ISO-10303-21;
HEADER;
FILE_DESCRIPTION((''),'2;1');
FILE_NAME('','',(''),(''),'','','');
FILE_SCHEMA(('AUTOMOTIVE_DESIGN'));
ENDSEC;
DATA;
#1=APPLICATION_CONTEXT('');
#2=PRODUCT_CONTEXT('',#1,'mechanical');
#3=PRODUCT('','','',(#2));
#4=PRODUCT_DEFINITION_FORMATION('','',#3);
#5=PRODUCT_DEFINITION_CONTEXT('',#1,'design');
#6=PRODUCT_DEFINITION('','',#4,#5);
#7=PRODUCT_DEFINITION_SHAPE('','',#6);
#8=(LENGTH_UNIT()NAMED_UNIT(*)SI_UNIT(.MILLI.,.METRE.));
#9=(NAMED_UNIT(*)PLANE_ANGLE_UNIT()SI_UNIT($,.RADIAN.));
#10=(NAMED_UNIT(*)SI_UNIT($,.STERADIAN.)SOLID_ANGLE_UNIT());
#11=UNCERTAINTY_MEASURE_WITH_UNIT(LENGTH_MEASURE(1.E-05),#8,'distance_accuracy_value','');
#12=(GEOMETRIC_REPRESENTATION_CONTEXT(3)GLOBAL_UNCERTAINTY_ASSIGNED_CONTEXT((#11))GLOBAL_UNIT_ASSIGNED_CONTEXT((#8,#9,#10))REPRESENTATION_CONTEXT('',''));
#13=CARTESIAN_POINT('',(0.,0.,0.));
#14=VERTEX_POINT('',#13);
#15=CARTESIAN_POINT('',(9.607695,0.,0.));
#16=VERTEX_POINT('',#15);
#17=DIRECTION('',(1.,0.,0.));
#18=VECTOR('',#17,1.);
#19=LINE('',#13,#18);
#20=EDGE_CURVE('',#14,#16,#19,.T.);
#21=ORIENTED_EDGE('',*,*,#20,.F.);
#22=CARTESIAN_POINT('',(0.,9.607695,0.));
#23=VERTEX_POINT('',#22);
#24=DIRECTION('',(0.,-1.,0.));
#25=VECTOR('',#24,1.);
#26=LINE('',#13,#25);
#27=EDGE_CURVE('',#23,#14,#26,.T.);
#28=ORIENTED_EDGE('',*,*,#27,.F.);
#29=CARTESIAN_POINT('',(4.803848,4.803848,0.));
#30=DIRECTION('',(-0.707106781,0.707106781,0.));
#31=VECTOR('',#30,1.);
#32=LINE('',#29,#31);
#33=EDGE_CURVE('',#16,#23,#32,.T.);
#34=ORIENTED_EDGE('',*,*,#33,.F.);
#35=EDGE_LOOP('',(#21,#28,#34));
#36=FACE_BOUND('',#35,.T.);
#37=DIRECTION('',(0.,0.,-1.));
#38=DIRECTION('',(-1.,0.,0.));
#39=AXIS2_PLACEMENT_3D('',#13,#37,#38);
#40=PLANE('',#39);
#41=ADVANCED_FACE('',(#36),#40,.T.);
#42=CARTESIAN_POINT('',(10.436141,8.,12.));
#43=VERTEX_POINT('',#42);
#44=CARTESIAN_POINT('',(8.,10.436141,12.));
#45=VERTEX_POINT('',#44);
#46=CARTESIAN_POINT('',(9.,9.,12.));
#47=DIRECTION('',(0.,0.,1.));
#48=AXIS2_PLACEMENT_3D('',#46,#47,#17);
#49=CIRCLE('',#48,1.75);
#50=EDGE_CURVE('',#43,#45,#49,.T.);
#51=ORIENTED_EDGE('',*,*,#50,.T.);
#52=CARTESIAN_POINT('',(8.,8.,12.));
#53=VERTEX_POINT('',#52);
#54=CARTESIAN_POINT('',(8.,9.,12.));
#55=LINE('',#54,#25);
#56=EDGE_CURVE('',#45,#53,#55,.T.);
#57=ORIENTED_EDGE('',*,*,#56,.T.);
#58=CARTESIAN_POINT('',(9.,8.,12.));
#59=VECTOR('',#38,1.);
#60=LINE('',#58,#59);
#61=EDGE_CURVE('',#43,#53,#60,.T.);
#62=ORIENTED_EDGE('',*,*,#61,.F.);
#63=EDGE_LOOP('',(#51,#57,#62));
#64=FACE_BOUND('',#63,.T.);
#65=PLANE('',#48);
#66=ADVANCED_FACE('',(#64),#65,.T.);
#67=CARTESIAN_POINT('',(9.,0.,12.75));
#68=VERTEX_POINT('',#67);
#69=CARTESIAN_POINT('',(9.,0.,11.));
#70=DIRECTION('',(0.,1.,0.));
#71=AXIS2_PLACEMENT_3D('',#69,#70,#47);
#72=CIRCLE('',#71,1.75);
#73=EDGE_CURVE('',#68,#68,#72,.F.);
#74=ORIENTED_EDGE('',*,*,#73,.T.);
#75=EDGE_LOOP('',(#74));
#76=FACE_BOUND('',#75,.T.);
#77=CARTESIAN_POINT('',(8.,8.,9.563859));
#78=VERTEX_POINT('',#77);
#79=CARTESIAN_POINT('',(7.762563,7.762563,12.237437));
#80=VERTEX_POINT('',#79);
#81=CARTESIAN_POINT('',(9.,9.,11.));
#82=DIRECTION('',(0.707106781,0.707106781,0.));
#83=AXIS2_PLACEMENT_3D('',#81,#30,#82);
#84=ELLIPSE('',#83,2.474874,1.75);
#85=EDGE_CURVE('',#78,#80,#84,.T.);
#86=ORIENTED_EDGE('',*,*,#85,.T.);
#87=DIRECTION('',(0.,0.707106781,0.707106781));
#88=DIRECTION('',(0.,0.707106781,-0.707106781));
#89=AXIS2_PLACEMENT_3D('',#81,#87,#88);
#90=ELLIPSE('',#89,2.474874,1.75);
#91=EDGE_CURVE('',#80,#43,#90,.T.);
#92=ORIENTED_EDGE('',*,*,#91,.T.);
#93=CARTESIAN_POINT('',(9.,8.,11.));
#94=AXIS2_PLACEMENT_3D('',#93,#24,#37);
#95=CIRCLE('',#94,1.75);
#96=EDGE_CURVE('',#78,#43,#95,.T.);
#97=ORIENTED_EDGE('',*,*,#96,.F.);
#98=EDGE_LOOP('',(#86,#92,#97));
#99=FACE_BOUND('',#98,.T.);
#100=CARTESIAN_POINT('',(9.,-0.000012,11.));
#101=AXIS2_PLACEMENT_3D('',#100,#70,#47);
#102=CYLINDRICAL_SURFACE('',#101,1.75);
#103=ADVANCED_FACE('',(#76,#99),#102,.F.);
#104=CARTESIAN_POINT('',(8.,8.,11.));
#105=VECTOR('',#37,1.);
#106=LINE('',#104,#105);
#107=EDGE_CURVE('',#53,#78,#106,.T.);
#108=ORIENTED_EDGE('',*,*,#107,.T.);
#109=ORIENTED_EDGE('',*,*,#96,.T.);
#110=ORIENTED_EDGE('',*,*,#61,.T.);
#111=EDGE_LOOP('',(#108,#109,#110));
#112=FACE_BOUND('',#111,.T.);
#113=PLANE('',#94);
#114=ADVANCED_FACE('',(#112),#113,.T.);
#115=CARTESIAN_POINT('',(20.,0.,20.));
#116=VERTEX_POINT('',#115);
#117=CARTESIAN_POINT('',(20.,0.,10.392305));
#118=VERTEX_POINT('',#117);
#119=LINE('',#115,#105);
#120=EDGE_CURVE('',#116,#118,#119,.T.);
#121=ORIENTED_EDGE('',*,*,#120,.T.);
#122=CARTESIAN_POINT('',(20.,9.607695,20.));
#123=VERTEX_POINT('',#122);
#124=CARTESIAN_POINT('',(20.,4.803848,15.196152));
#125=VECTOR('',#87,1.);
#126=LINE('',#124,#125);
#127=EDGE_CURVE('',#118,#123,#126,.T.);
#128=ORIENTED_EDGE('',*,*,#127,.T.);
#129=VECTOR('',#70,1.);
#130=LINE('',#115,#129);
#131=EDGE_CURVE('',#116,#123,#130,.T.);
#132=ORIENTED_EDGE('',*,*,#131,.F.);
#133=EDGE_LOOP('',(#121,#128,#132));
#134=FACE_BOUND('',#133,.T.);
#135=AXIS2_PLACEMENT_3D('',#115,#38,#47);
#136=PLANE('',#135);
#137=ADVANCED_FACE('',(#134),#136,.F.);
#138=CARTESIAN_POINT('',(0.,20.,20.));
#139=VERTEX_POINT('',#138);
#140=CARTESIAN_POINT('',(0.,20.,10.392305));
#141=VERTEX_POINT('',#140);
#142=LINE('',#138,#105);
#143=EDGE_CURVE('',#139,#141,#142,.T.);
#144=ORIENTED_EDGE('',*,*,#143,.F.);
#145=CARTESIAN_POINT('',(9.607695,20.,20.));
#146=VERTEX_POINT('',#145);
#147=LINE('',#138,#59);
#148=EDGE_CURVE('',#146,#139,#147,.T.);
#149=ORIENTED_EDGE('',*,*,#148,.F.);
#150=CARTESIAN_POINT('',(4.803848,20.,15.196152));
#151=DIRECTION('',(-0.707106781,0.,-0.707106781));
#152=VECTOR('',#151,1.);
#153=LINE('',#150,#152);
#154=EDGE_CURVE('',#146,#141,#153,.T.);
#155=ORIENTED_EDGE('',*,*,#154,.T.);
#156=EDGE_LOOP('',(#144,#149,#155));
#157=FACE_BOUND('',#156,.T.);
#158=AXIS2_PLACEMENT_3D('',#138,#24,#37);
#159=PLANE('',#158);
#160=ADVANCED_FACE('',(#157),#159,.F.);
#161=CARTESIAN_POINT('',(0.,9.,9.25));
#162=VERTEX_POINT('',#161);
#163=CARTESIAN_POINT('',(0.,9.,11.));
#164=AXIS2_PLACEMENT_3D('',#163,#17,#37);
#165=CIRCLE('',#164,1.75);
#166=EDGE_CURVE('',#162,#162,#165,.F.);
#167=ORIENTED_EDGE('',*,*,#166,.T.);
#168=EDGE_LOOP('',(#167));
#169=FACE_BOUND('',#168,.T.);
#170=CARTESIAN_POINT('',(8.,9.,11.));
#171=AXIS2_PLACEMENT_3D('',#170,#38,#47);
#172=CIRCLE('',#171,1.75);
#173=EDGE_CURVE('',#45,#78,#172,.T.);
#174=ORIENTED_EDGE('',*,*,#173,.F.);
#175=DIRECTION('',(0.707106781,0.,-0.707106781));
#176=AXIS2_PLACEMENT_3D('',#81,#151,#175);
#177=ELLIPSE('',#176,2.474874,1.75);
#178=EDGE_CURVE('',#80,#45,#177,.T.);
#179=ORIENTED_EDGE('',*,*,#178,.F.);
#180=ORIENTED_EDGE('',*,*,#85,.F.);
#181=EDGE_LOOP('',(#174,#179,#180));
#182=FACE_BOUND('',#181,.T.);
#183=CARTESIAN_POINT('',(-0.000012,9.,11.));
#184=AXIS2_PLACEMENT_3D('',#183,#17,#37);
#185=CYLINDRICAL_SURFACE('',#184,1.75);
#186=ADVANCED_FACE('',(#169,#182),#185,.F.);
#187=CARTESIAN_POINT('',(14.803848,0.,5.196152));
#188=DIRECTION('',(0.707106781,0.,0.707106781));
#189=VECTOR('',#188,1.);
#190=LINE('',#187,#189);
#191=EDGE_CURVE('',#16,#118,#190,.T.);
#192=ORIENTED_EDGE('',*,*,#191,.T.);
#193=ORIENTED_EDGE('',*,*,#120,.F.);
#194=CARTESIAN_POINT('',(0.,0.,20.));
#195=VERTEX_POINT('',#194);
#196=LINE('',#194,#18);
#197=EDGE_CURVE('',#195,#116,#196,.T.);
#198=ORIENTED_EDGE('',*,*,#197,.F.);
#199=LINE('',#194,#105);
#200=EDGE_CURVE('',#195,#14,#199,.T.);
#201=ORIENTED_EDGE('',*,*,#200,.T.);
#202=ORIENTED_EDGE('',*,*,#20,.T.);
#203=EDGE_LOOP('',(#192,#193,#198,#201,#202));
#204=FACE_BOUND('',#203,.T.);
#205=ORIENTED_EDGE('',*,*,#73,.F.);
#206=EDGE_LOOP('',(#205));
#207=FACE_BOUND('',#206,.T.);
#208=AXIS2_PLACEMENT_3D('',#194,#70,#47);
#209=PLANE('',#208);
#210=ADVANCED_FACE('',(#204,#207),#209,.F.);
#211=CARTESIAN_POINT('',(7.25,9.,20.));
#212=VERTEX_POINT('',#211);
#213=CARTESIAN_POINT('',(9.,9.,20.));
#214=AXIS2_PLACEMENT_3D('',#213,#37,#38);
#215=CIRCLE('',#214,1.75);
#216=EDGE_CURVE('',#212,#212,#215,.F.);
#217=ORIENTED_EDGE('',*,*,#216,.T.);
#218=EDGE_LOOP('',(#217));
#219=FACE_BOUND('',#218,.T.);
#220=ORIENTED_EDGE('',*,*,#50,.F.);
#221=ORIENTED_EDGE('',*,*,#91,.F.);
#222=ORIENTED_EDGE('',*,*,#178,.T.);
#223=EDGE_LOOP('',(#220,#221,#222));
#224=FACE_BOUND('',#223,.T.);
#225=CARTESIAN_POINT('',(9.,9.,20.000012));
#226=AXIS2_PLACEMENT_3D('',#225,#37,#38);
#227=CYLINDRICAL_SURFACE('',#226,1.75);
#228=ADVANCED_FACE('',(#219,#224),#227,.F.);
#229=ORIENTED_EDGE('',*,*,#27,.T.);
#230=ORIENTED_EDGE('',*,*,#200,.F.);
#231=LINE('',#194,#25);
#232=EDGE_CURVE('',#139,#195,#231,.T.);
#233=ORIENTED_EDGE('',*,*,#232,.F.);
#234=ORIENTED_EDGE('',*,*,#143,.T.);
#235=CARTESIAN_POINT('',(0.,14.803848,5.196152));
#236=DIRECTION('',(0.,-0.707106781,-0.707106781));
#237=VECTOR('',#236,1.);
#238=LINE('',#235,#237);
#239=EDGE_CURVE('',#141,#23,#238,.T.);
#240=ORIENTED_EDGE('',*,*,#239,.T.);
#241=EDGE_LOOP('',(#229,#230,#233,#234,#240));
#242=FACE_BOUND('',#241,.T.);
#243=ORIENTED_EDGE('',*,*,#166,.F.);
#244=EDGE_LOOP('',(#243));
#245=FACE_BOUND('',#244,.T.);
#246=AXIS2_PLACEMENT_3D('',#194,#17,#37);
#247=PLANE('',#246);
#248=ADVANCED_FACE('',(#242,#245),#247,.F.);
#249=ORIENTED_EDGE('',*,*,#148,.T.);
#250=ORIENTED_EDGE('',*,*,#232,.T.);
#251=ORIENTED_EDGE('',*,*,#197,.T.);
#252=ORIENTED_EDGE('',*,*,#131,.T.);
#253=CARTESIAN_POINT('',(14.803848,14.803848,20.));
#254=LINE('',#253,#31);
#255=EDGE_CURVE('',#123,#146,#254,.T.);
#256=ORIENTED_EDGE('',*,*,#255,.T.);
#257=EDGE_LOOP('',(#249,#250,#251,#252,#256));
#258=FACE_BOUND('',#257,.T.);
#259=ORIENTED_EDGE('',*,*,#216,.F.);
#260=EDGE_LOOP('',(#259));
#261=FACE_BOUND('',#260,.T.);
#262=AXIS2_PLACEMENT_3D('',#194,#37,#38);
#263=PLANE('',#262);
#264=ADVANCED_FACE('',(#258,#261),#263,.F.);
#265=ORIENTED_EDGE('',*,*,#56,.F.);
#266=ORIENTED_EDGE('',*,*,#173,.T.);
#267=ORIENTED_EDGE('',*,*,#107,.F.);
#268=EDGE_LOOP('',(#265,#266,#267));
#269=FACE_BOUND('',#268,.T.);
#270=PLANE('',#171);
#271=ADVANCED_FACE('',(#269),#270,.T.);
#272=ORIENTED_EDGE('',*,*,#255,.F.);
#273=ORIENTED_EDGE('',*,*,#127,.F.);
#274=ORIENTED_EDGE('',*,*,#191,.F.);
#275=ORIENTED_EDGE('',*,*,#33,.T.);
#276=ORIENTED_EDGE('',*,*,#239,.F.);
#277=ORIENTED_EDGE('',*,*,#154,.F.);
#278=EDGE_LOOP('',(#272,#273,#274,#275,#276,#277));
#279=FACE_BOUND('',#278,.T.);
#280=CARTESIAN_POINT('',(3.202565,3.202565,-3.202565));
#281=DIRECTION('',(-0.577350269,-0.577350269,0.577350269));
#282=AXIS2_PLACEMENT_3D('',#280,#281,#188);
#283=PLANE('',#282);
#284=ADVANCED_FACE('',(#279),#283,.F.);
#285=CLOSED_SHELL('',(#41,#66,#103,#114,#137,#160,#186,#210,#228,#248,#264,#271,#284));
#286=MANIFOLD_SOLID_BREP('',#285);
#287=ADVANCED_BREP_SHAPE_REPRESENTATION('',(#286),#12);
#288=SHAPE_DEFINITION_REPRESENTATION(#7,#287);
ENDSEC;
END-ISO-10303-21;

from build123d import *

# Parameters (mm, degrees)
ESQUISSE1_W                  = 20
ESQUISSE1_H                  = 20
BOSS_EXTRU_1_DEPTH           = 20
ESQUISSE2_W                  = 32.659863237
ESQUISSE2_H                  = 28.284271247
ENL_V_MAT_EXTRU_1_DEPTH      = 6
ENL_V_MAT_EXTRU_1_DEPTH_BACK = 12.547005384
ESQUISSE4_R                  = 1.75
ENL_V_MAT_EXTRU_2_DEPTH      = 1
ENL_V_MAT_EXTRU_2_DEPTH_BACK = 8
ESQUISSE5_R                  = 1.75
ENL_V_MAT_EXTRU_3_DEPTH      = 1
ENL_V_MAT_EXTRU_3_DEPTH_BACK = 8
ESQUISSE6_R                  = 1.75
ENL_V_MAT_EXTRU_4_DEPTH      = 1
ENL_V_MAT_EXTRU_4_DEPTH_BACK = 8


with BuildPart() as part:
    # Esquisse1 → Boss.-Extru.1 (new body)
    with BuildSketch(Plane.XY):
        with Locations((10, 10)):
            Rectangle(ESQUISSE1_W, ESQUISSE1_H)
    extrude(amount=BOSS_EXTRU_1_DEPTH)

    # Esquisse2 → Enlèv. mat.-Extru.1 (cut, two sides)
    with BuildSketch(Plane(origin=(6.666666667, 6.666666667, -6.666666667), x_dir=(0.816496581, -0.40824829, 0.40824829), z_dir=(-0.577350269, -0.577350269, 0.577350269))) as enl_v_mat_extru_1_sk:
        with Locations((8.164965809, 14.142135624)):
            Rectangle(ESQUISSE2_W, ESQUISSE2_H)
    extrude(amount=ENL_V_MAT_EXTRU_1_DEPTH, mode=Mode.SUBTRACT)
    extrude(enl_v_mat_extru_1_sk.sketch, amount=-ENL_V_MAT_EXTRU_1_DEPTH_BACK, mode=Mode.SUBTRACT)

    # Esquisse4 → Enlèv. mat.-Extru.2 (cut, two sides)
    with BuildSketch(Plane.XZ) as enl_v_mat_extru_2_sk:
        with Locations((9, 11)):
            Circle(ESQUISSE4_R)
    extrude(amount=ENL_V_MAT_EXTRU_2_DEPTH, mode=Mode.SUBTRACT)
    extrude(enl_v_mat_extru_2_sk.sketch, amount=-ENL_V_MAT_EXTRU_2_DEPTH_BACK, mode=Mode.SUBTRACT)

    # Esquisse5 → Enlèv. mat.-Extru.3 (cut, two sides)
    with BuildSketch(Plane.XY.offset(20)) as enl_v_mat_extru_3_sk:
        with Locations((9, 9)):
            Circle(ESQUISSE5_R)
    extrude(amount=ENL_V_MAT_EXTRU_3_DEPTH, mode=Mode.SUBTRACT)
    extrude(enl_v_mat_extru_3_sk.sketch, amount=-ENL_V_MAT_EXTRU_3_DEPTH_BACK, mode=Mode.SUBTRACT)

    # Esquisse6 → Enlèv. mat.-Extru.4 (cut, two sides)
    with BuildSketch(Plane.ZY) as enl_v_mat_extru_4_sk:
        with Locations((11, 9)):
            Circle(ESQUISSE6_R)
    extrude(amount=ENL_V_MAT_EXTRU_4_DEPTH, mode=Mode.SUBTRACT)
    extrude(enl_v_mat_extru_4_sk.sketch, amount=-ENL_V_MAT_EXTRU_4_DEPTH_BACK, mode=Mode.SUBTRACT)


solid = part.part
